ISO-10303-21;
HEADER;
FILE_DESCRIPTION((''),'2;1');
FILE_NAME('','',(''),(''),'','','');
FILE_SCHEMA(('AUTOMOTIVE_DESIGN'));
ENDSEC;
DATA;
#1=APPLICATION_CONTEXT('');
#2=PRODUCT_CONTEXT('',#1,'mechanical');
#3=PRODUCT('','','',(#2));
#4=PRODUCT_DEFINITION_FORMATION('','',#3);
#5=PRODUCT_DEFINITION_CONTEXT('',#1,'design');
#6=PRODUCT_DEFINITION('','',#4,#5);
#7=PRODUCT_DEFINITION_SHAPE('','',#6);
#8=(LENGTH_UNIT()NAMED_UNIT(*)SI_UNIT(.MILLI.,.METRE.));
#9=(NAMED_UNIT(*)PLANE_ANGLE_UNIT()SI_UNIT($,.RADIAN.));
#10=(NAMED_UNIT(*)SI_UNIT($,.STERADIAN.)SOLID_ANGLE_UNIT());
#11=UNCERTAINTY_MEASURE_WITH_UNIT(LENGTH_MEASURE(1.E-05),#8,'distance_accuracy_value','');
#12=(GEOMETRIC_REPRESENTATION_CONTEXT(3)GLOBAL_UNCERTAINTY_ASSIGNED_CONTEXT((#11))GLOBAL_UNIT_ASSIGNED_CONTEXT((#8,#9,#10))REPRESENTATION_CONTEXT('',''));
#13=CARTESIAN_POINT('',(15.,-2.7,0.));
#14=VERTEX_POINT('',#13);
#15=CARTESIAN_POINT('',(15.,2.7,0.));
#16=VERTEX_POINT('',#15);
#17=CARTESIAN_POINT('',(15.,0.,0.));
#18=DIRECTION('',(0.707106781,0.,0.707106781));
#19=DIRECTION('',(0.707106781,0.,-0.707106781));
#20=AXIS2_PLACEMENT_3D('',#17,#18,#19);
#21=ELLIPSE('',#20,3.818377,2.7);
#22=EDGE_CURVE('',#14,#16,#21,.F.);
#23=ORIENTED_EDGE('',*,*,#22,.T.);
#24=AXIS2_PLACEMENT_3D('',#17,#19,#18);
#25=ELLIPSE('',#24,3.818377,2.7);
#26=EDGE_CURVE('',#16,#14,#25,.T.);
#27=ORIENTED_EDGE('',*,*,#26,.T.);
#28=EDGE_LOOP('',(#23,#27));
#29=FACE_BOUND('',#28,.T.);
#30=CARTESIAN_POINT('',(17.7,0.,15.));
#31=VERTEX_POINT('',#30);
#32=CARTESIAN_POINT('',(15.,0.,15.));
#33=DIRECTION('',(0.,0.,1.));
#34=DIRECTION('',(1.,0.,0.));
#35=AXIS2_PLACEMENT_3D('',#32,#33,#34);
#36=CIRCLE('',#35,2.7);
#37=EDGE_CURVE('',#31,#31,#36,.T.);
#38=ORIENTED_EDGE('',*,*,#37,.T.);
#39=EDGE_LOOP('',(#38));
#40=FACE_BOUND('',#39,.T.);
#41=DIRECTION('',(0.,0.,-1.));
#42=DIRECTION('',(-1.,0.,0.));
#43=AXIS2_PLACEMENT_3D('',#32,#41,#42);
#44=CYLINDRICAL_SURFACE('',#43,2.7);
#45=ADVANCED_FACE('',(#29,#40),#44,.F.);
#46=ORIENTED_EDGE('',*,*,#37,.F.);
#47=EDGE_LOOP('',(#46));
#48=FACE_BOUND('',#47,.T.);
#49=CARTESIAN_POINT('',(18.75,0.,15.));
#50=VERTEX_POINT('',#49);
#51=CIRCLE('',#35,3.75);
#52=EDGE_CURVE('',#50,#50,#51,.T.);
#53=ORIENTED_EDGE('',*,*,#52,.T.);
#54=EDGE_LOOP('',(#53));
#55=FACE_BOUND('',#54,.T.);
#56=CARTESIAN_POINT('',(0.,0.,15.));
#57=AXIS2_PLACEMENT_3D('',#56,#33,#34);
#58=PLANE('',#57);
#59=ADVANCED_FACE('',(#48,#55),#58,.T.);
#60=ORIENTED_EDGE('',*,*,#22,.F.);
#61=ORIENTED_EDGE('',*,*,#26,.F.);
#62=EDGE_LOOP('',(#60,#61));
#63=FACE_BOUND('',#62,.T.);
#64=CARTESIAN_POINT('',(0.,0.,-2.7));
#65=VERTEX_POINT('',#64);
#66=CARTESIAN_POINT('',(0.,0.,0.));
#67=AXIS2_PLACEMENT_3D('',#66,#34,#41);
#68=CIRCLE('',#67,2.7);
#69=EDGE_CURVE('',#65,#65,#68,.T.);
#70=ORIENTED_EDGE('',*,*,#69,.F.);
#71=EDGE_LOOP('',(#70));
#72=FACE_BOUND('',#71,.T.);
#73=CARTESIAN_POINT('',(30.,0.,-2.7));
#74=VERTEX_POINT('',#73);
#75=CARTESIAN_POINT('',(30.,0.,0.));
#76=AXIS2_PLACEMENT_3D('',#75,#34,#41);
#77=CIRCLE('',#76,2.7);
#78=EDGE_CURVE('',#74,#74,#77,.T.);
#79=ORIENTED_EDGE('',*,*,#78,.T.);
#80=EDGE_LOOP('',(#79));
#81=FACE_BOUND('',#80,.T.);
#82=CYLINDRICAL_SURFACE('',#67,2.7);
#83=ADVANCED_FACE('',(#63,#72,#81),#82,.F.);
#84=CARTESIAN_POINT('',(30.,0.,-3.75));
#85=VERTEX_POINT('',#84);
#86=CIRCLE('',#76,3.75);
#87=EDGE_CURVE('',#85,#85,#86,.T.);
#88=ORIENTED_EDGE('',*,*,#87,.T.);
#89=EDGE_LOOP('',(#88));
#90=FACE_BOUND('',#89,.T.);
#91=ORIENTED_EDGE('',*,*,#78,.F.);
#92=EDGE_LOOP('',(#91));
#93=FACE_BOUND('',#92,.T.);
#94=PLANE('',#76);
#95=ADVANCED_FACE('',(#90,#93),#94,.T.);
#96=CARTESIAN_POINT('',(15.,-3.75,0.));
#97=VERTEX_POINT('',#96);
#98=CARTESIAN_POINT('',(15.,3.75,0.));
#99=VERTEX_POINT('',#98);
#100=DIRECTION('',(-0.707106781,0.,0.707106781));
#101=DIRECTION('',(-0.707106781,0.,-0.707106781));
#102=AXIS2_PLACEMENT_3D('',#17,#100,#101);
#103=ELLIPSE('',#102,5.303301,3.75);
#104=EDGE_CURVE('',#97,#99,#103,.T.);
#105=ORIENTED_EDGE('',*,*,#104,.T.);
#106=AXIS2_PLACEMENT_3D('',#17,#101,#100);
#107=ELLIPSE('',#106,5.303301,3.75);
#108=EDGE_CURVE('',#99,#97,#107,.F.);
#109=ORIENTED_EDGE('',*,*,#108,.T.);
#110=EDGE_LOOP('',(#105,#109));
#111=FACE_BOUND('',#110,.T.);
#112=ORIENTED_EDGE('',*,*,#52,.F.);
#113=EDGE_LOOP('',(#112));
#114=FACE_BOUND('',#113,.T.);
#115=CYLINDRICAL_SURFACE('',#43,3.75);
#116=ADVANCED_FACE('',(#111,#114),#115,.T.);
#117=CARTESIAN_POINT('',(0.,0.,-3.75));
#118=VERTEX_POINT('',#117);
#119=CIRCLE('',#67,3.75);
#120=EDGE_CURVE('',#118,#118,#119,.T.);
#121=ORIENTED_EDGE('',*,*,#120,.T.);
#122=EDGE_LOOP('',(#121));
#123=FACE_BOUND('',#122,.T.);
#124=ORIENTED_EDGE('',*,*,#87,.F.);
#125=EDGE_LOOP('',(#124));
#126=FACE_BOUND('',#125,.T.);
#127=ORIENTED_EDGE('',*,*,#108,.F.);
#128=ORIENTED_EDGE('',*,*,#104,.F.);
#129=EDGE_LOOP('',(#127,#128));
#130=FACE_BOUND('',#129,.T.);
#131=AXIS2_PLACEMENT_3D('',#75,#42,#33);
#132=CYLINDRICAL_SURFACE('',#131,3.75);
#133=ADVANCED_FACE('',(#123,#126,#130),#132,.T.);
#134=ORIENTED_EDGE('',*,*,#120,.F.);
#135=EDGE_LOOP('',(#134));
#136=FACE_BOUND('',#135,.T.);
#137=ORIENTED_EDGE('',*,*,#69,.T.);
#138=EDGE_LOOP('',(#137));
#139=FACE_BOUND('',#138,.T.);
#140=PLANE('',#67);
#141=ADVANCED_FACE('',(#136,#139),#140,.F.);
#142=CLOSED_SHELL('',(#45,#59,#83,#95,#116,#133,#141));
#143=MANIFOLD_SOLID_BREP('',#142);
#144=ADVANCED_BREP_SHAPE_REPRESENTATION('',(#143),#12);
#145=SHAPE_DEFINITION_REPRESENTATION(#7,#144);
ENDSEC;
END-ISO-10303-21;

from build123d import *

# Parameters (mm, degrees)
SKETCH14_R          = 3.75
BOSS_EXTRUDE1_DEPTH = 30
SKETCH15_R          = 2.7
CUT_EXTRUDE4_DEPTH  = 30
SKETCH16_R          = 3.75
SKETCH16_R_2        = 2.7
BOSS_EXTRUDE2_DEPTH = 15
CUT_EXTRUDE5_START  = 25
SKETCH17_R          = 2.7
CUT_EXTRUDE5_DEPTH  = 25
SKETCH18_R          = 2.7
CUT_EXTRUDE6_DEPTH  = 25


with BuildPart() as part:
    # Sketch14 → Boss-Extrude1 (new body)
    with BuildSketch(Plane(origin=(0, 0, 0), x_dir=(0, 0, -1), z_dir=(1, 0, 0))):
        Circle(SKETCH14_R)
    extrude(amount=BOSS_EXTRUDE1_DEPTH)

    # Sketch15 → Cut-Extrude4 (cut)
    with BuildSketch(Plane(origin=(30, 0, 0), x_dir=(0, 0, -1), z_dir=(1, 0, 0))):
        Circle(SKETCH15_R)
    extrude(amount=-CUT_EXTRUDE4_DEPTH, mode=Mode.SUBTRACT)

    # Sketch16 → Boss-Extrude2 (add)
    with BuildSketch(Plane.XY):
        with Locations(Location((15, 0, 0), (0, 0, 90))):
            Circle(SKETCH16_R)
        with Locations((15, 0)):
            Circle(SKETCH16_R_2, mode=Mode.SUBTRACT)
    extrude(amount=BOSS_EXTRUDE2_DEPTH)

    # Sketch17 → Cut-Extrude5 (cut)
    with BuildSketch(Plane(origin=(0, 0, 0), x_dir=(0, 0, -1), z_dir=(1, 0, 0)).offset(CUT_EXTRUDE5_START)):
        Circle(SKETCH17_R)
    extrude(amount=-CUT_EXTRUDE5_DEPTH, mode=Mode.SUBTRACT)

    # Sketch18 → Cut-Extrude6 (cut)
    with BuildSketch(Plane.XY):
        with Locations(Location((15, 0, 0), (0, 0, 270))):
            Circle(SKETCH18_R)
    extrude(amount=CUT_EXTRUDE6_DEPTH, mode=Mode.SUBTRACT)


solid = part.part
